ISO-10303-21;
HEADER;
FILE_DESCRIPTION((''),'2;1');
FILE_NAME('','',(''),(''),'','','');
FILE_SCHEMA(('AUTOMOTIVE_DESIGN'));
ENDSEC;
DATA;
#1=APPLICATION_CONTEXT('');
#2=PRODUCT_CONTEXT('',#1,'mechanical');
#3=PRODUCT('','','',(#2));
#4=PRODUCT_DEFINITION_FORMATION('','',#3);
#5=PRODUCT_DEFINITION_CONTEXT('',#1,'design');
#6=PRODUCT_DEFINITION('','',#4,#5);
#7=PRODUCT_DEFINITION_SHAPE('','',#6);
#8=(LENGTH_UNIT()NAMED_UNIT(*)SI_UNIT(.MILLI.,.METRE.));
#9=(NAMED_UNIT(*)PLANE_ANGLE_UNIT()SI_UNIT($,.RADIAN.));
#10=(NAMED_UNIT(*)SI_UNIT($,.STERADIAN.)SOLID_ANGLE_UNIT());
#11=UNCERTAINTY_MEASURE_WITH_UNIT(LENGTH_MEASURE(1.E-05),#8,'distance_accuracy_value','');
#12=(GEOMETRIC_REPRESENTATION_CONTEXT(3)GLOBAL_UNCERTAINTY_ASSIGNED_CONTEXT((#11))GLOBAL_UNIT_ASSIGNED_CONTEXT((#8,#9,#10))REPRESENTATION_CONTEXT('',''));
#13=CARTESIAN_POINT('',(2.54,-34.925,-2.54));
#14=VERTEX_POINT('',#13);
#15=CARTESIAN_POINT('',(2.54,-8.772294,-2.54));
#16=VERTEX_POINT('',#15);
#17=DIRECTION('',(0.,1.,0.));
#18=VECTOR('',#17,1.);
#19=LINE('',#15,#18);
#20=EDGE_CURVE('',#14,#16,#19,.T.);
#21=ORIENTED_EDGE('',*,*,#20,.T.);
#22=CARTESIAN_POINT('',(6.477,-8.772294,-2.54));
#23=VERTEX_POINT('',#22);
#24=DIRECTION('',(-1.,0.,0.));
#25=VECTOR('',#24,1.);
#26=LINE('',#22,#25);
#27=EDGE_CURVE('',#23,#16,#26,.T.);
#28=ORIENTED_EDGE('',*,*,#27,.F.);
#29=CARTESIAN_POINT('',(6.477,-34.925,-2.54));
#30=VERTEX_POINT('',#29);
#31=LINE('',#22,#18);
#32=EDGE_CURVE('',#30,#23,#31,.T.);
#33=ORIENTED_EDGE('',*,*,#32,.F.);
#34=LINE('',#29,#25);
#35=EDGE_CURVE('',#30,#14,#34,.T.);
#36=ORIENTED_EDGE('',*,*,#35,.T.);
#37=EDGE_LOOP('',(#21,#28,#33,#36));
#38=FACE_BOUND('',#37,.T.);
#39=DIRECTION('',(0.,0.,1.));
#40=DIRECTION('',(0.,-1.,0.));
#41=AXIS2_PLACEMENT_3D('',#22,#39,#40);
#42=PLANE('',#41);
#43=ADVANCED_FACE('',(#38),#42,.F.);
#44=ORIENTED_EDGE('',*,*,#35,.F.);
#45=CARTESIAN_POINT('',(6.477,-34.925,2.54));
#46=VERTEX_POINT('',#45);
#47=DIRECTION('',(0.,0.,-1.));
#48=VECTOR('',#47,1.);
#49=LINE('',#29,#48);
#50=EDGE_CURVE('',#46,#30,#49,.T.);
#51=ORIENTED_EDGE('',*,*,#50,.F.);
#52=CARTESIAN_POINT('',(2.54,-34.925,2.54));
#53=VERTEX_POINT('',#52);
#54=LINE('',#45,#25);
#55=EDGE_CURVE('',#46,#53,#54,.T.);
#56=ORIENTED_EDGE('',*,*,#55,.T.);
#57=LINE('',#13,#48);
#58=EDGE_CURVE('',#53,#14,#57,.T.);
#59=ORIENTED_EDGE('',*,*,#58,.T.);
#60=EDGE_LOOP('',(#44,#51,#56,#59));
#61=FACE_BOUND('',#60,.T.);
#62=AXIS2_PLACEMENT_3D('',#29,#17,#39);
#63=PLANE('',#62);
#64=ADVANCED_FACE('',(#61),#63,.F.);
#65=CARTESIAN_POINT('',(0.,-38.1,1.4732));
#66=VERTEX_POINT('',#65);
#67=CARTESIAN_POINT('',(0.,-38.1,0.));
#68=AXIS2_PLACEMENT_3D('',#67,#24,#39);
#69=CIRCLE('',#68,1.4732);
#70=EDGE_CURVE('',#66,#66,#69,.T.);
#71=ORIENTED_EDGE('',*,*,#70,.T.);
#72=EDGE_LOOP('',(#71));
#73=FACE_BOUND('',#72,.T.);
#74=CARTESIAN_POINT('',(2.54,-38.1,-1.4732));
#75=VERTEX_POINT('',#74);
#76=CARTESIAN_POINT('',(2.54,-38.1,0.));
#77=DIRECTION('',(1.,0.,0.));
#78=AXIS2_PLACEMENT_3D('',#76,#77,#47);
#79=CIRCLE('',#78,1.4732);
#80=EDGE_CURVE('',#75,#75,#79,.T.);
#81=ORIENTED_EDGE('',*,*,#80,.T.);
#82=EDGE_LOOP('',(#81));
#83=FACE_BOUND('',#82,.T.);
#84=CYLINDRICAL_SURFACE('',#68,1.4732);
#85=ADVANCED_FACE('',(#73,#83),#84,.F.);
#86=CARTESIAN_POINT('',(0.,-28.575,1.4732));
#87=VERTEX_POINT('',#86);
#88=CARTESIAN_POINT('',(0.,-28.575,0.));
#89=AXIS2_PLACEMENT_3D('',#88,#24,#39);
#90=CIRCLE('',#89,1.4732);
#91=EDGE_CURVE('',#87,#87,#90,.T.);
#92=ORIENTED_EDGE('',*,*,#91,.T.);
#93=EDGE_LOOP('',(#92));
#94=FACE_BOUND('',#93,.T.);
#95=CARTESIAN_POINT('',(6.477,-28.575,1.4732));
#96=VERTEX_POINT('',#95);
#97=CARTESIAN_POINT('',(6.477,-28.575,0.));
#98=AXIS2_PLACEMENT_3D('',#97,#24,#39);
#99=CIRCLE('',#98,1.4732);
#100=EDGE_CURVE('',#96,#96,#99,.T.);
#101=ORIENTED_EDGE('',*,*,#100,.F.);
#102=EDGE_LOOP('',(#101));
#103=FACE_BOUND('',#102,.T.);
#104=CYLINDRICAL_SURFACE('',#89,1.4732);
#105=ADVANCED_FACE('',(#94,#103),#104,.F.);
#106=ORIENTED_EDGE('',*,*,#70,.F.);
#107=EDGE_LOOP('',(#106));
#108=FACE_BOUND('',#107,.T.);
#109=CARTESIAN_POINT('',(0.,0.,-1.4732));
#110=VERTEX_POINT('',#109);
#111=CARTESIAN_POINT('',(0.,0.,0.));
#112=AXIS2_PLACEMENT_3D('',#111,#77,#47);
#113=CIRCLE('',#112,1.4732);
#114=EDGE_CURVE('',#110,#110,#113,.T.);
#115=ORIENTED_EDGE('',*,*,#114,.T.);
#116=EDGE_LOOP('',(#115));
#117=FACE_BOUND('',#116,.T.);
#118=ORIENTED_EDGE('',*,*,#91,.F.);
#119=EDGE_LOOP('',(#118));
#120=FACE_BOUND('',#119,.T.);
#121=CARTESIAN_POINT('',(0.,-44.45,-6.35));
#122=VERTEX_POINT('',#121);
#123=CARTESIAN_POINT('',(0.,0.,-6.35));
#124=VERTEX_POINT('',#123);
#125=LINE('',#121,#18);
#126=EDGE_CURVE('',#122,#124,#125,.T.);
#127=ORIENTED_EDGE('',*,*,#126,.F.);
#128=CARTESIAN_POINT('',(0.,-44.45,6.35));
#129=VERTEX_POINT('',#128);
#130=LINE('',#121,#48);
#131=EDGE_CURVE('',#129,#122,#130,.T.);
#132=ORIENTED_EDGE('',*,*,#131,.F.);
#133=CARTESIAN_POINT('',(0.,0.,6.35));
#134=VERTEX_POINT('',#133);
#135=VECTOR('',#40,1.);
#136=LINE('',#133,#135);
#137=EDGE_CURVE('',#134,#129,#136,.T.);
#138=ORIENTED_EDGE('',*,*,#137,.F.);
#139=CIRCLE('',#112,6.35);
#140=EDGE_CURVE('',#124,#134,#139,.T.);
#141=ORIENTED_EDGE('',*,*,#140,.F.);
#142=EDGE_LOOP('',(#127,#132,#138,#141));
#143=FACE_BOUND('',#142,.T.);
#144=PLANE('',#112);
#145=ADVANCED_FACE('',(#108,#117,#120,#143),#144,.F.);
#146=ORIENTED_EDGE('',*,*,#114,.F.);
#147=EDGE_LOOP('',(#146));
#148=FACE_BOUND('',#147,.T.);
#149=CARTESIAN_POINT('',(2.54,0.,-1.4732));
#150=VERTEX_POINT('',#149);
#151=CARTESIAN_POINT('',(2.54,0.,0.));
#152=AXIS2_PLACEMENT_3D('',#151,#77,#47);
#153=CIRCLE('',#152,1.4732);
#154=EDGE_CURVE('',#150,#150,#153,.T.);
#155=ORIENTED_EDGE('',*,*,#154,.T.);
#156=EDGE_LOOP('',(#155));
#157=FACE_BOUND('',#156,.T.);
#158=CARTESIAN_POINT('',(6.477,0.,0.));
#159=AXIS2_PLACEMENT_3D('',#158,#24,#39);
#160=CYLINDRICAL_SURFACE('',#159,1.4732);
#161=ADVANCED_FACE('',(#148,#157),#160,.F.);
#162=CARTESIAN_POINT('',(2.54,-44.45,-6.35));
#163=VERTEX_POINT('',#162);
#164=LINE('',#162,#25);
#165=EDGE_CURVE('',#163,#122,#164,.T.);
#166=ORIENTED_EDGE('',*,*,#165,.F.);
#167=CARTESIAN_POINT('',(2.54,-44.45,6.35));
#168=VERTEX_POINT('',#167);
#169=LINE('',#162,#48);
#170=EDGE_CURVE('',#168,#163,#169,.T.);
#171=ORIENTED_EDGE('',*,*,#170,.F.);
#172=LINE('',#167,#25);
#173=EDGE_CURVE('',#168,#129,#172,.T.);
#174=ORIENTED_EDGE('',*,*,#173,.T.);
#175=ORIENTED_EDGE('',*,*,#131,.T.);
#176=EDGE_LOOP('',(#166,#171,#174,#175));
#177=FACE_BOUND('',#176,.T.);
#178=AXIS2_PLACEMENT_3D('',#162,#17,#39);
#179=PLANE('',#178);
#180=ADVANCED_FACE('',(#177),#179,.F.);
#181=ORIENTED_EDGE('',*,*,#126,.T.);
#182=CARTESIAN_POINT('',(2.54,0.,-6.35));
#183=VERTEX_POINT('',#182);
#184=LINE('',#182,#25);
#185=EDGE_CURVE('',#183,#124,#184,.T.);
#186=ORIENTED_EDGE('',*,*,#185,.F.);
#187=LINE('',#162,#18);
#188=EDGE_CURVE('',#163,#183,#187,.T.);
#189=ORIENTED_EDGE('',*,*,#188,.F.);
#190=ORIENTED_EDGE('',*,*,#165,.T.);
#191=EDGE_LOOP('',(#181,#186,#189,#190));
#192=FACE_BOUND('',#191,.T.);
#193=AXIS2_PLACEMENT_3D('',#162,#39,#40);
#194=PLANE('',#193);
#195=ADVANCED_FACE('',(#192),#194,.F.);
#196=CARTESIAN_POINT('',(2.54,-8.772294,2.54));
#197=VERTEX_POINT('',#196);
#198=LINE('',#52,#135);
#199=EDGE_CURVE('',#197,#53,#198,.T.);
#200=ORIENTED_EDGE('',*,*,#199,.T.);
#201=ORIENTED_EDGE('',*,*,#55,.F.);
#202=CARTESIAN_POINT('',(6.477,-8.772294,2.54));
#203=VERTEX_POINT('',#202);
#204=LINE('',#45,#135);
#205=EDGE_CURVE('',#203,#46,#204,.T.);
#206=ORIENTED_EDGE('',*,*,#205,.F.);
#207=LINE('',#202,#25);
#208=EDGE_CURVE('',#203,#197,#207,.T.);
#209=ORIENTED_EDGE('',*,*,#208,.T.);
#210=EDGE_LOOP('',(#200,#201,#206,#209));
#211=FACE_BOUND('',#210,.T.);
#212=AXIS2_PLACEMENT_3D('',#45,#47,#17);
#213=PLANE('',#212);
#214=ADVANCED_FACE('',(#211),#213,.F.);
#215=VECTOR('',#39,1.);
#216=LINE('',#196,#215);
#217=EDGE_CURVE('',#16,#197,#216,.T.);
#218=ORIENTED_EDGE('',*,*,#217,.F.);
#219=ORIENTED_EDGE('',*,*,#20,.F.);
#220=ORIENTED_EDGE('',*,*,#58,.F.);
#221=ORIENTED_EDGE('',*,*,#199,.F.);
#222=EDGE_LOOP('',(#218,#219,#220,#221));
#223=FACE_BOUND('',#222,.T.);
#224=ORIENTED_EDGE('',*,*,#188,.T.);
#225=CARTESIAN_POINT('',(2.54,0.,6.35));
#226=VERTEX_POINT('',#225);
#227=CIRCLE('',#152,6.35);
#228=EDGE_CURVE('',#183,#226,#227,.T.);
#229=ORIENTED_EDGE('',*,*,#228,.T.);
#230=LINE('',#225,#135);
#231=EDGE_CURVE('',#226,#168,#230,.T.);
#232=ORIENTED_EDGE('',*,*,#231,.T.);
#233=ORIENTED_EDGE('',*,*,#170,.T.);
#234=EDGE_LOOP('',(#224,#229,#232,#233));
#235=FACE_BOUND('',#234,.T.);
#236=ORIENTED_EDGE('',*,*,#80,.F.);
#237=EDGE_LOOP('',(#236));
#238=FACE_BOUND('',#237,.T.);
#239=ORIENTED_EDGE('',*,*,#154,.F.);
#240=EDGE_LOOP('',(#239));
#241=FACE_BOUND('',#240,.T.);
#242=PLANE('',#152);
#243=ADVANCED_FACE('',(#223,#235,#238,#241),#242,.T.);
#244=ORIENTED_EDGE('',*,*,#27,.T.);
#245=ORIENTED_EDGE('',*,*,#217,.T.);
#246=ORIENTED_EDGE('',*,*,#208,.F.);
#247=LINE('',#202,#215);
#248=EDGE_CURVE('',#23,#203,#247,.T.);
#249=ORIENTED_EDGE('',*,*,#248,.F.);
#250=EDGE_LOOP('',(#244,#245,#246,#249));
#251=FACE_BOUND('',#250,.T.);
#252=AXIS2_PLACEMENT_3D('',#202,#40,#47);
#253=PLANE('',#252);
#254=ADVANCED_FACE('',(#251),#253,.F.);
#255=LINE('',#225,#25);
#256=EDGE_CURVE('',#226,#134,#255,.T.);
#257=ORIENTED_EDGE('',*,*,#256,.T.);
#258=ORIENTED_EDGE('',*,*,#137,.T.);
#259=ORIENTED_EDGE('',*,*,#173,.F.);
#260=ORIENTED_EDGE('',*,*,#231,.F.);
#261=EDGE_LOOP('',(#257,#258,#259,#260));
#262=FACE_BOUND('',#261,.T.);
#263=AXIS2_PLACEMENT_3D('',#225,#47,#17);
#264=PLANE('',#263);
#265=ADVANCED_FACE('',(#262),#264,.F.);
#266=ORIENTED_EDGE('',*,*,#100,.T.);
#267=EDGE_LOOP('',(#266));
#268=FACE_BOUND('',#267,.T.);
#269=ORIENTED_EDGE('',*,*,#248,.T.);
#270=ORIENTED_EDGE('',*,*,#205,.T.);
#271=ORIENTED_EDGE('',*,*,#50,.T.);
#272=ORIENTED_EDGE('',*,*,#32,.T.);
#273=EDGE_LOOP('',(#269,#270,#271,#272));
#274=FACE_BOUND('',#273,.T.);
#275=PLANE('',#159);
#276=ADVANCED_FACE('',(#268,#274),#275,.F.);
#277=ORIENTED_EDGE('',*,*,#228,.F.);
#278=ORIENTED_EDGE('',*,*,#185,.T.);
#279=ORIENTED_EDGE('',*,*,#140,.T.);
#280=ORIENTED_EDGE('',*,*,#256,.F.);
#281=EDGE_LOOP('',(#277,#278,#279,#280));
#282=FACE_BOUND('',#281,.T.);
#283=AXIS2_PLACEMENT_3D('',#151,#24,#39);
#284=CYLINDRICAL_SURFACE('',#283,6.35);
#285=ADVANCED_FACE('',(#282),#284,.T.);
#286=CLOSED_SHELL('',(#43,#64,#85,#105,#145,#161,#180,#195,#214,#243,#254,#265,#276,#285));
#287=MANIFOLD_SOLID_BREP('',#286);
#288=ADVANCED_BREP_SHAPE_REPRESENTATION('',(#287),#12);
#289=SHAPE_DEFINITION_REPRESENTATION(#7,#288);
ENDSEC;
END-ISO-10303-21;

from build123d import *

# Parameters (mm, degrees)
BOSS_EXTRUDE1_DEPTH     = 2.54
SKETCH2_W               = 5.08
SKETCH2_H               = 26.152706233
BOSS_EXTRUDE2_DEPTH     = 3.937
CUT_EXTRUDE1_DEPTH      = 46.366028358
CUT_EXTRUDE1_DEPTH_BACK = 46.366028358
SKETCH3_R               = 1.4732
F_4_CLEARANCE_HOLE1_D   = 2.9464


with BuildPart() as part:
    # Sketch1 → Boss-Extrude1 (new body)
    with BuildSketch(Plane(origin=(0, 0, 0), x_dir=(0, 0, -1), z_dir=(1, 0, 0))):
        with BuildLine():
            Line((6.35, -44.45), (6.35, 0))
            ThreePointArc((6.35, 0), (0, 6.35), (-6.35, 0))
            Line((-6.35, 0), (-6.35, -44.45))
            Line((-6.35, -44.45), (6.35, -44.45))
        make_face()
    extrude(amount=BOSS_EXTRUDE1_DEPTH)

    # Sketch2 → Boss-Extrude2 (add)
    with BuildSketch(Plane(origin=(2.54, 0, 0), x_dir=(0, 0, -1), z_dir=(1, 0, 0))):
        with Locations((0, -21.848646884)):
            Rectangle(SKETCH2_W, SKETCH2_H)
    extrude(amount=BOSS_EXTRUDE2_DEPTH)

    # Sketch3 → Cut-Extrude1 (cut, two sides: drawn at the far end of the back side and taken through both)
    with BuildSketch(Plane.ZY.offset(-CUT_EXTRUDE1_DEPTH_BACK)):
        with Locations(Location((0, 0, 0), (0, 0, 180))):
            Circle(SKETCH3_R)
    extrude(amount=CUT_EXTRUDE1_DEPTH + CUT_EXTRUDE1_DEPTH_BACK, mode=Mode.SUBTRACT)

    # #4 Clearance Hole1 (through all)
    with Locations(Plane.ZY):
        with Locations((0, -28.575), (0, -38.1)):
            Hole(F_4_CLEARANCE_HOLE1_D / 2)


solid = part.part
